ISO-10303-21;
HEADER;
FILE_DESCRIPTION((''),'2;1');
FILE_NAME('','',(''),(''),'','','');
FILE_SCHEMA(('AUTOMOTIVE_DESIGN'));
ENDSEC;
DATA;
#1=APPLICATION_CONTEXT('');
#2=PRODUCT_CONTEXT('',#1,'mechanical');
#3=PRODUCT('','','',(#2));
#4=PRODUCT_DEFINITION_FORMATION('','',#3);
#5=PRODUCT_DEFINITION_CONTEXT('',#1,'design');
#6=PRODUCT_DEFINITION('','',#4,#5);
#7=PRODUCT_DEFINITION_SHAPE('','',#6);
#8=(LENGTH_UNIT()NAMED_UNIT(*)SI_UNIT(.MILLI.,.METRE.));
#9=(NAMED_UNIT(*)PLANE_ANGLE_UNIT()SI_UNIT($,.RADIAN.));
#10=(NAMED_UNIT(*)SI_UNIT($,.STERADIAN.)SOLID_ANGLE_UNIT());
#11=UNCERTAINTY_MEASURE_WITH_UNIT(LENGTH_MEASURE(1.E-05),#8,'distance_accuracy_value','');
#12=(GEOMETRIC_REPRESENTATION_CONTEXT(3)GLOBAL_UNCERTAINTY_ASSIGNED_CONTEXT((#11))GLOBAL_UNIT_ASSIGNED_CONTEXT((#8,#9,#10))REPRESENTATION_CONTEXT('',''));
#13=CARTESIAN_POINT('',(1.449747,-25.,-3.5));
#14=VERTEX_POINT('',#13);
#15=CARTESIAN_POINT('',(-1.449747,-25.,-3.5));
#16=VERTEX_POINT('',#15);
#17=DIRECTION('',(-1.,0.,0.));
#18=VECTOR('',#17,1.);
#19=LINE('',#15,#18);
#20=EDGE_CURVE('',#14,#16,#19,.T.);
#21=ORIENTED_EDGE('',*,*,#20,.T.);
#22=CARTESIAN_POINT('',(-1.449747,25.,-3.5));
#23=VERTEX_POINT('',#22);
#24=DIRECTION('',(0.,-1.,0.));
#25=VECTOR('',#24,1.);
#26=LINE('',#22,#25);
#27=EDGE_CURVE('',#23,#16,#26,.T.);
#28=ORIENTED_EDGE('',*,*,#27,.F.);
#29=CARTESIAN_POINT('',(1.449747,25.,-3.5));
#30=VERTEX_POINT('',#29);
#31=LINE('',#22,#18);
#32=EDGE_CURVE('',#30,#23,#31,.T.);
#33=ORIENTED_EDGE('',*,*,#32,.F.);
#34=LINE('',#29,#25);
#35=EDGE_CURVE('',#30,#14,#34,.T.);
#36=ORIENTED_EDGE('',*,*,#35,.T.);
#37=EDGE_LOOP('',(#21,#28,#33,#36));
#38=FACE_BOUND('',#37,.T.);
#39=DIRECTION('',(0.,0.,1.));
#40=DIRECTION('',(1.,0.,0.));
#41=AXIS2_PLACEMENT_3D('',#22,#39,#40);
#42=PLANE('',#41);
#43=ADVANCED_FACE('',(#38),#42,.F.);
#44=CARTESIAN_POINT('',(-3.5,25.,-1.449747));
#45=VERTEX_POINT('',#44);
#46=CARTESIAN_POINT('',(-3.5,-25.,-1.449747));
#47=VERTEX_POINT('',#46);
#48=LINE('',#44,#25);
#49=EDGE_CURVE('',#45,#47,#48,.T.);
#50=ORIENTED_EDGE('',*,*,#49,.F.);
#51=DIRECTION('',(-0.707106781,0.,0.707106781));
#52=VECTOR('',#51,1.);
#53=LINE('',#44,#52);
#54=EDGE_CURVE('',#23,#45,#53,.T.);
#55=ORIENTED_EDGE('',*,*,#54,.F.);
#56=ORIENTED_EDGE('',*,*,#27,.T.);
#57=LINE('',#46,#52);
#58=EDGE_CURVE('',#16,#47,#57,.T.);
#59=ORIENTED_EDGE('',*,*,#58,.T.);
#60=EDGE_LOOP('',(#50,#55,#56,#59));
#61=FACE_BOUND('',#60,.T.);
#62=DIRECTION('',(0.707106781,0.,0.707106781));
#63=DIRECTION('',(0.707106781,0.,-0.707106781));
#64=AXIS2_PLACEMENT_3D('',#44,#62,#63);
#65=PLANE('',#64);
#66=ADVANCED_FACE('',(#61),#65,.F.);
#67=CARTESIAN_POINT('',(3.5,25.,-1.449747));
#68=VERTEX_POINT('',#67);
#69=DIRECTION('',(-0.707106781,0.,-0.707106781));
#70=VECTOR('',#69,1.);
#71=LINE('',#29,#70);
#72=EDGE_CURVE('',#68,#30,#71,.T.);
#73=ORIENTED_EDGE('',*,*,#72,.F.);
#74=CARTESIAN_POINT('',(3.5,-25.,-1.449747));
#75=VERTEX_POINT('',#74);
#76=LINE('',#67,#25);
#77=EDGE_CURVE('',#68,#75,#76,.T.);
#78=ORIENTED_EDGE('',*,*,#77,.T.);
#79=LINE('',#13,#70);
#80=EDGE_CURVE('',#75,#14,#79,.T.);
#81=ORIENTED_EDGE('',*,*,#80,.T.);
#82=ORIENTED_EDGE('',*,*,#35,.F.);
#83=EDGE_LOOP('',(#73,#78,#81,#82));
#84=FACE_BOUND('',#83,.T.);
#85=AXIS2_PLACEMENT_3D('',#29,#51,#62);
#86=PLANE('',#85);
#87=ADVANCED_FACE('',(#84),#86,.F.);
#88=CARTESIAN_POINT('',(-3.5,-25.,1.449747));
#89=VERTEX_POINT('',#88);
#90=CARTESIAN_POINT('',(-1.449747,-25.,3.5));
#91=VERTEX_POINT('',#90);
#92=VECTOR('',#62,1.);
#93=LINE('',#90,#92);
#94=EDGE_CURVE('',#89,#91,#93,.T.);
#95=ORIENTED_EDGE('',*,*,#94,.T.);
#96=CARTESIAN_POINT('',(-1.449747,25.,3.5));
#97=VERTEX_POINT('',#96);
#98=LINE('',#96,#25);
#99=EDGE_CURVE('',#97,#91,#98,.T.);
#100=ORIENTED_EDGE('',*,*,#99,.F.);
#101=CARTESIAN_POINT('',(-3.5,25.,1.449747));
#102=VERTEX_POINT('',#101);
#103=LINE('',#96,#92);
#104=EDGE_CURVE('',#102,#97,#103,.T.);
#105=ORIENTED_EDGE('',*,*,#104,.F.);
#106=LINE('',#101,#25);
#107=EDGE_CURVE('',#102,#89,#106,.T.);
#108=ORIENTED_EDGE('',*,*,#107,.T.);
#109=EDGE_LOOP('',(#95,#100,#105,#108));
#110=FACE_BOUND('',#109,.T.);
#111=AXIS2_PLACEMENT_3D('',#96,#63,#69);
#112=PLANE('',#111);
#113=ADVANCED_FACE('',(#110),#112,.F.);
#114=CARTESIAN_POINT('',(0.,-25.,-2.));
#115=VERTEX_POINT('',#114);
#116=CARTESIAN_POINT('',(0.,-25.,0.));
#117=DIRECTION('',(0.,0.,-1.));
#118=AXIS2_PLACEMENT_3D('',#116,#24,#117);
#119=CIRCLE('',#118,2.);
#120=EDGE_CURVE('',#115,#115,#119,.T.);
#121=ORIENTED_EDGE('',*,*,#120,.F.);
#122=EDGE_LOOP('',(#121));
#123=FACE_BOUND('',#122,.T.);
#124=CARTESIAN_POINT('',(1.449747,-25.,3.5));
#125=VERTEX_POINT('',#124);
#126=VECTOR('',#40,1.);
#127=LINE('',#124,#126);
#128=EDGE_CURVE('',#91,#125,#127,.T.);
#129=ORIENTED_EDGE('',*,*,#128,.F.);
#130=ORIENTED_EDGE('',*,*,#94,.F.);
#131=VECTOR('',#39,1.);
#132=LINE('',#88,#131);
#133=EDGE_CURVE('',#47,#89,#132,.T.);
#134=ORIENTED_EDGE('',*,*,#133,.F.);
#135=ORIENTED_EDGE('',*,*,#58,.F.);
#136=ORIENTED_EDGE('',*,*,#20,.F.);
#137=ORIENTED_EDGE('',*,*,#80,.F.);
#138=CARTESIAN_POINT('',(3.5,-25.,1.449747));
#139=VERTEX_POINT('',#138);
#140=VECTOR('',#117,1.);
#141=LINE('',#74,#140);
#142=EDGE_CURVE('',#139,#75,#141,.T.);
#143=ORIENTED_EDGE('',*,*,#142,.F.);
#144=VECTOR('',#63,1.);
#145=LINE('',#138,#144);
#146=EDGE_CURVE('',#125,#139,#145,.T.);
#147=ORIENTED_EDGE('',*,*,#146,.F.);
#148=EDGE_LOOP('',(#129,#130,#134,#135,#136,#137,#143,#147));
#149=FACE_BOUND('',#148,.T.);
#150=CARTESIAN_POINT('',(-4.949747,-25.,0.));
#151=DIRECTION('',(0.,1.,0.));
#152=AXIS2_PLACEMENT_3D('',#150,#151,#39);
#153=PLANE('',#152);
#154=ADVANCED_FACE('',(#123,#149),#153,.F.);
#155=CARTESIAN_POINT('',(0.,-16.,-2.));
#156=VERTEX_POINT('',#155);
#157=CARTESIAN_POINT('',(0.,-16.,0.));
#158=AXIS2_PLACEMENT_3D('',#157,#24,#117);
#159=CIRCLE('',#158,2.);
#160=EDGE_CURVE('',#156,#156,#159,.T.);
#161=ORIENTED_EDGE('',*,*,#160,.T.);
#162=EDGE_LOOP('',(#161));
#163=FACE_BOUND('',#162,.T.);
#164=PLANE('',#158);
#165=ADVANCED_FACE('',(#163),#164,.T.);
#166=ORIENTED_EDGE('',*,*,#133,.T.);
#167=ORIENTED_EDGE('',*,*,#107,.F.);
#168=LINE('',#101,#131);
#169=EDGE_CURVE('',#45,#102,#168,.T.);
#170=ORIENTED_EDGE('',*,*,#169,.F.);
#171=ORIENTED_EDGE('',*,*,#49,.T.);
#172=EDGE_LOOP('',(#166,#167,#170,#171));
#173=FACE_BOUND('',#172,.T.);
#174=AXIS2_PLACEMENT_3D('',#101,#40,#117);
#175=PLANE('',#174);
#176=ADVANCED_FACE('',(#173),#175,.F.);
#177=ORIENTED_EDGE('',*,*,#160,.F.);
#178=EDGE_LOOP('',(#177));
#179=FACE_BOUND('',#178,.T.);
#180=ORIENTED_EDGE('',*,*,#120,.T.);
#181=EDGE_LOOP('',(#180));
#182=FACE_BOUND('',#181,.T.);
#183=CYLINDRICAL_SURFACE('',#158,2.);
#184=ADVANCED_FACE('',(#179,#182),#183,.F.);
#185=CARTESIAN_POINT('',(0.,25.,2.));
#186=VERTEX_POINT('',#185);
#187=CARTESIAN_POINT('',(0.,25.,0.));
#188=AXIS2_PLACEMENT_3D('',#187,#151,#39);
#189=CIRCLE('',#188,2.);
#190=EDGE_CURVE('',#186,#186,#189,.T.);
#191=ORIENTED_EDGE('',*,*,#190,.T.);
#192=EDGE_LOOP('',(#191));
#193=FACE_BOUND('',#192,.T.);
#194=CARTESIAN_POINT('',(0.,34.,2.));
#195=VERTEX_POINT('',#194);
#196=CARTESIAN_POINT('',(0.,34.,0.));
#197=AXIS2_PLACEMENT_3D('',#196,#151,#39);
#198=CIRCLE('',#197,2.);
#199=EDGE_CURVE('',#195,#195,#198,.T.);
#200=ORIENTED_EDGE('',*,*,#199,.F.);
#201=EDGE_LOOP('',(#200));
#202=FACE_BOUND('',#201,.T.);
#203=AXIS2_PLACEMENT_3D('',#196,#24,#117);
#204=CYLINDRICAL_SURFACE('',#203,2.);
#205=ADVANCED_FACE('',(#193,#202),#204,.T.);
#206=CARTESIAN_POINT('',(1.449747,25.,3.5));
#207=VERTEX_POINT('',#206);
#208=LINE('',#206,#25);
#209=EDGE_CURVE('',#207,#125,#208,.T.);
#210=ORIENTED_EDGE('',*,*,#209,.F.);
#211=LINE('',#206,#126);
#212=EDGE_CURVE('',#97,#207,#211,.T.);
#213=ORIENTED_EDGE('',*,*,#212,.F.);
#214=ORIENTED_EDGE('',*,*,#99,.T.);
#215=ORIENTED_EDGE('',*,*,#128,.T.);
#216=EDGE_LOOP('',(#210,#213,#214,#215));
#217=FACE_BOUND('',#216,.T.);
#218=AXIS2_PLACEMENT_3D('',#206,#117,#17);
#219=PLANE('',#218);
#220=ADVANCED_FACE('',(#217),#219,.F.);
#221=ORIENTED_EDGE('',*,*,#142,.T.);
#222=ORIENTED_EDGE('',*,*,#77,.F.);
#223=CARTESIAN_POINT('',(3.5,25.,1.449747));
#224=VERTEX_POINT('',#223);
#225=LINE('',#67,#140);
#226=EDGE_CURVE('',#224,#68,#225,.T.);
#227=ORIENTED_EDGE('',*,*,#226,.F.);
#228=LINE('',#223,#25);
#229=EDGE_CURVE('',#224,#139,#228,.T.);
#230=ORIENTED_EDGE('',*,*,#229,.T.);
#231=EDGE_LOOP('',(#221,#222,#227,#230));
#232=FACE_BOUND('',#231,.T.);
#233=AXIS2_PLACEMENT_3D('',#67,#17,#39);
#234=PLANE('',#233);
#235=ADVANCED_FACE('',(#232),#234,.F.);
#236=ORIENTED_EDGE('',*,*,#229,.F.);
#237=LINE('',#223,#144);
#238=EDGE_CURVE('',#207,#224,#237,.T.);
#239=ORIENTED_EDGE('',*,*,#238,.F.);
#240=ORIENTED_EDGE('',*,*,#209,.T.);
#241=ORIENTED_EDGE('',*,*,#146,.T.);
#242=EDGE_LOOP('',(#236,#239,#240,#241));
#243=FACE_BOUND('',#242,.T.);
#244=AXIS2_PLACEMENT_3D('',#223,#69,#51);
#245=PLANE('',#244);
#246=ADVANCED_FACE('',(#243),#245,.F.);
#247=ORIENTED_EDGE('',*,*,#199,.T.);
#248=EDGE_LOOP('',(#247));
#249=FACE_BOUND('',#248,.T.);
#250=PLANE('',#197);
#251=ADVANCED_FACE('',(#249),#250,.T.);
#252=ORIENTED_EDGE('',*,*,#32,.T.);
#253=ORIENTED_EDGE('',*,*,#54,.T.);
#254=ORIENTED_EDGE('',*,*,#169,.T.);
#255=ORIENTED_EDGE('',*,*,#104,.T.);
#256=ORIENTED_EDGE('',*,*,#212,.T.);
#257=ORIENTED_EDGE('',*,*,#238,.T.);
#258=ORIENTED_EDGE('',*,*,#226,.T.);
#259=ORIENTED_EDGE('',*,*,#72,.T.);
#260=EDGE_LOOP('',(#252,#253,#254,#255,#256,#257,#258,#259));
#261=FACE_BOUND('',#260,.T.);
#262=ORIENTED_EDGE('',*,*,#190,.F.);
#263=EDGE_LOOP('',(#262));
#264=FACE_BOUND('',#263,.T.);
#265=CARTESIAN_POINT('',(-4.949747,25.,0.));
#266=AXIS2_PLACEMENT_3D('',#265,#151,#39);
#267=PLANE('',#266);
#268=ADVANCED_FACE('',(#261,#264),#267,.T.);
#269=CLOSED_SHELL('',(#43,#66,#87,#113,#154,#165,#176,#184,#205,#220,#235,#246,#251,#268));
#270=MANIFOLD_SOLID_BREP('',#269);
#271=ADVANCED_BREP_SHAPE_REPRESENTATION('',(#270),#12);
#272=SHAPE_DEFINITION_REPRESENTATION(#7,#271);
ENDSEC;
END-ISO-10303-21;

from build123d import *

# Parameters (mm, degrees)
EXTRUSION1_DEPTH        = 25
ESQUISSE2_R             = 2
EXTRUSION2_DEPTH        = 9
ESQUISSE3_R             = 2
ENL_V_MAT_EXTRU_1_DEPTH = 9


with BuildPart() as part:
    # Esquisse1 → Extrusion1 (new, symmetric)
    with BuildSketch(Plane(origin=(0, 0, 0), x_dir=(1, 0, 0), z_dir=(0, 1, 0))):
        Polygon((-1.449747468, 3.5), (1.449747468, 3.5), (3.5, 1.449747468), (3.5, -1.449747468), (1.449747468, -3.5), (-1.449747468, -3.5), (-3.5, -1.449747468), (-3.5, 1.449747468), align=None)
    extrude(amount=EXTRUSION1_DEPTH, both=True)

    # Esquisse2 → Extrusion2 (add)
    with BuildSketch(Plane(origin=(0, 25, 0), x_dir=(1, 0, 0), z_dir=(0, 1, 0))):
        with Locations(Location((0, 0, 0), (0, 0, 270))):
            Circle(ESQUISSE2_R)
    extrude(amount=EXTRUSION2_DEPTH)

    # Esquisse3 → Enlèv. mat.-Extru.1 (cut)
    with BuildSketch(Plane.XZ.offset(25)):
        with Locations(Location((0, 0, 0), (0, 0, 90))):
            Circle(ESQUISSE3_R)
    extrude(amount=-ENL_V_MAT_EXTRU_1_DEPTH, mode=Mode.SUBTRACT)


solid = part.part
